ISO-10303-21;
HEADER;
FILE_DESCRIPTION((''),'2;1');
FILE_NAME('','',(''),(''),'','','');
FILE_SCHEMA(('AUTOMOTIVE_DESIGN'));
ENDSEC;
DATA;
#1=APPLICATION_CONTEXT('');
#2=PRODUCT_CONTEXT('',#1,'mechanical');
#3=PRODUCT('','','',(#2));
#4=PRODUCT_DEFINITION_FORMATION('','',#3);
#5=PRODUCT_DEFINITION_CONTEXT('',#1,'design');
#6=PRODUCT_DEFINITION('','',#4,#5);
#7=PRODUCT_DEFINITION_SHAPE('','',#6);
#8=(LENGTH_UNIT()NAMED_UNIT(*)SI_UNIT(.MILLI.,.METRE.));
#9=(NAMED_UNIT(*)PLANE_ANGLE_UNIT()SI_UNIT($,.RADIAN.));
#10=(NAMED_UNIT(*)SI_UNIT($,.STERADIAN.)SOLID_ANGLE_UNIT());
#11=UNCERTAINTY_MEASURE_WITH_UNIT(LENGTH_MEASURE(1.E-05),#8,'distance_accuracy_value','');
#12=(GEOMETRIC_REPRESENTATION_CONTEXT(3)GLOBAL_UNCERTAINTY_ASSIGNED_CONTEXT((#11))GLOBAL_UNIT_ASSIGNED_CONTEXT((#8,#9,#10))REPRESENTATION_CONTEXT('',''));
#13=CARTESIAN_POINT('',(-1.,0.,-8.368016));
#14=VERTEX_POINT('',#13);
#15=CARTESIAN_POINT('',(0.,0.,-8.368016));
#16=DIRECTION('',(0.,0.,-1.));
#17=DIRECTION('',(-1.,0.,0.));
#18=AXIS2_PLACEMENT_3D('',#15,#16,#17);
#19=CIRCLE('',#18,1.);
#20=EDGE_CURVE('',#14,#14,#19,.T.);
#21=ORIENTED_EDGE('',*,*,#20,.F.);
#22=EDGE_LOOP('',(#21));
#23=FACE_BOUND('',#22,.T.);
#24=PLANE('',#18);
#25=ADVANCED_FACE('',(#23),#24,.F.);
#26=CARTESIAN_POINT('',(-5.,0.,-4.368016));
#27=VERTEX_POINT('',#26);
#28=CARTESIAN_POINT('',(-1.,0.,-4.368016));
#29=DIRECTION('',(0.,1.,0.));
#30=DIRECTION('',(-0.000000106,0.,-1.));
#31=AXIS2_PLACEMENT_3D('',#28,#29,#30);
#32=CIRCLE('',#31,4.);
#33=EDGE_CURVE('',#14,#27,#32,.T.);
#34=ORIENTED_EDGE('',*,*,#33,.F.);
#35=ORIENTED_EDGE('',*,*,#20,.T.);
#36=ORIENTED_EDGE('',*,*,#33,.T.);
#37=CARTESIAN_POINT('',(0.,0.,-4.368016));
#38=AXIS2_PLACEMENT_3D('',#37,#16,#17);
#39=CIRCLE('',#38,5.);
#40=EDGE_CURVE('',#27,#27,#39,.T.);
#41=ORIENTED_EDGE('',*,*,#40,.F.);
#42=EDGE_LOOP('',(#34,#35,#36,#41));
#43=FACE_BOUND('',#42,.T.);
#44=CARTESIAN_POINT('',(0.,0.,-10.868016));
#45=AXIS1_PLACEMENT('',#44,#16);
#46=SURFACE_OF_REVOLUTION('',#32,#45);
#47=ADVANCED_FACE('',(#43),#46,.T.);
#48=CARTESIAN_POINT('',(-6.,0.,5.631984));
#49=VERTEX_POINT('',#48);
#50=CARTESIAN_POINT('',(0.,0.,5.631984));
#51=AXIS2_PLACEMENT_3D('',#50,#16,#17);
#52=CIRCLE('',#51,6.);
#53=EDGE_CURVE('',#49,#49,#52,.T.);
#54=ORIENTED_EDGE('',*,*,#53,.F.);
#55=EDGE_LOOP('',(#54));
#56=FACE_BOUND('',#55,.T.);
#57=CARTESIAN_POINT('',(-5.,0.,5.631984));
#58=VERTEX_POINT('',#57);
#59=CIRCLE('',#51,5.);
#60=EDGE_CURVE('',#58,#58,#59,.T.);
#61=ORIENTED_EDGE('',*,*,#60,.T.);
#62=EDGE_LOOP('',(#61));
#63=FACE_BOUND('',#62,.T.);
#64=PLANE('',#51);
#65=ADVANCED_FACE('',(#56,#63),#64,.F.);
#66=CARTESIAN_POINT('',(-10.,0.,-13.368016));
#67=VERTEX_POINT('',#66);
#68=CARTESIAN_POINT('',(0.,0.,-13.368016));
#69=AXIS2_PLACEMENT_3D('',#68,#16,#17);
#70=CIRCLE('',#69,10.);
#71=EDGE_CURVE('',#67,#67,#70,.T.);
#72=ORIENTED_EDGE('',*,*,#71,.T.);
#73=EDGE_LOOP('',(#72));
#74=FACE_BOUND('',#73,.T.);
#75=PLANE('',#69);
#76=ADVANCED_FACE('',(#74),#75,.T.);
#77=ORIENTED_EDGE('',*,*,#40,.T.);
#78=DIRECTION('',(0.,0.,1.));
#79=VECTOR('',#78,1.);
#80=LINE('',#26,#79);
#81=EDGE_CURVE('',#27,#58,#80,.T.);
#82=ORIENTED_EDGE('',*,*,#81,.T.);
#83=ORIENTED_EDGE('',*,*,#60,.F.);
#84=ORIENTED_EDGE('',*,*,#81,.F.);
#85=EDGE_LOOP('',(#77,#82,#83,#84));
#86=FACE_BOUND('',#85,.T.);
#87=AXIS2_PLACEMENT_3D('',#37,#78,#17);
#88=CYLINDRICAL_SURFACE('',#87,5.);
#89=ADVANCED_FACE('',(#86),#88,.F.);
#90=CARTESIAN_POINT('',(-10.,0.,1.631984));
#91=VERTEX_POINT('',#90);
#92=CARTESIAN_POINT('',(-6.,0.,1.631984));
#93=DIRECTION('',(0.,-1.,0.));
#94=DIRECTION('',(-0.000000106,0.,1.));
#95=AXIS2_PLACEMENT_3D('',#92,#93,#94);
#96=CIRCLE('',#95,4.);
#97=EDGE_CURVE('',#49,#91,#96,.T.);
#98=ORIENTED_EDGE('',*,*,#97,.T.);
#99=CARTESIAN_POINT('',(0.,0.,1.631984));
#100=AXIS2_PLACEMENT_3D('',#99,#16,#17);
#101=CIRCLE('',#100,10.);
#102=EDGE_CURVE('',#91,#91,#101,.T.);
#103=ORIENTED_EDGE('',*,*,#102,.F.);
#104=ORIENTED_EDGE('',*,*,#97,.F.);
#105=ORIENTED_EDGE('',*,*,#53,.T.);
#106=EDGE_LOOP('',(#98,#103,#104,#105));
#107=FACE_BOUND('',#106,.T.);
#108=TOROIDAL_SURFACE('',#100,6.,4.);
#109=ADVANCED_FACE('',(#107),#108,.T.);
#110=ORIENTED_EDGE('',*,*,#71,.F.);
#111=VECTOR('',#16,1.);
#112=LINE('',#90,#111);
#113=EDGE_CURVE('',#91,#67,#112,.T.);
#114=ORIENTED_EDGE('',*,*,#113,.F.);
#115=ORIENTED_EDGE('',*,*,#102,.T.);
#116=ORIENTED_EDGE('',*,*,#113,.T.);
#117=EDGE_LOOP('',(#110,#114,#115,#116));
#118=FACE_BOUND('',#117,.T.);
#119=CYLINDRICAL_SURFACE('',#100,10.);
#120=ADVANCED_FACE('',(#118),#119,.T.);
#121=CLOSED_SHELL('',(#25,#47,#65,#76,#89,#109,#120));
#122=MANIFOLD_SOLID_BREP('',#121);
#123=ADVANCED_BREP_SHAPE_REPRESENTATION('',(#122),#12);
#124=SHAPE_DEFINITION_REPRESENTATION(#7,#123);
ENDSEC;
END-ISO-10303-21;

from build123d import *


with BuildPart() as f1:
    # F0 (on Front) → F1 (revolve)
    with BuildSketch(Plane.XZ):
        with BuildLine():
            Line((-5, -4.368016), (-5, 5.631984))
            Line((-5, 5.631984), (-6, 5.631984))
            ThreePointArc((-6, 5.631984), (-8.828427, 4.460411), (-10, 1.631984))
            Line((-10, 1.631984), (-10, -13.368016))
            Line((-10, -13.368016), (0, -13.368016))
            Line((0, -13.368016), (0, -8.368016))
            Line((0, -8.368016), (-1, -8.368016))
            ThreePointArc((-1, -8.368016), (-3.828427, -7.196443), (-5, -4.368016))
        make_face()
    revolve(axis=Axis((0, 0, -10.868016), (0, 0, -1)))


solid = f1.part
